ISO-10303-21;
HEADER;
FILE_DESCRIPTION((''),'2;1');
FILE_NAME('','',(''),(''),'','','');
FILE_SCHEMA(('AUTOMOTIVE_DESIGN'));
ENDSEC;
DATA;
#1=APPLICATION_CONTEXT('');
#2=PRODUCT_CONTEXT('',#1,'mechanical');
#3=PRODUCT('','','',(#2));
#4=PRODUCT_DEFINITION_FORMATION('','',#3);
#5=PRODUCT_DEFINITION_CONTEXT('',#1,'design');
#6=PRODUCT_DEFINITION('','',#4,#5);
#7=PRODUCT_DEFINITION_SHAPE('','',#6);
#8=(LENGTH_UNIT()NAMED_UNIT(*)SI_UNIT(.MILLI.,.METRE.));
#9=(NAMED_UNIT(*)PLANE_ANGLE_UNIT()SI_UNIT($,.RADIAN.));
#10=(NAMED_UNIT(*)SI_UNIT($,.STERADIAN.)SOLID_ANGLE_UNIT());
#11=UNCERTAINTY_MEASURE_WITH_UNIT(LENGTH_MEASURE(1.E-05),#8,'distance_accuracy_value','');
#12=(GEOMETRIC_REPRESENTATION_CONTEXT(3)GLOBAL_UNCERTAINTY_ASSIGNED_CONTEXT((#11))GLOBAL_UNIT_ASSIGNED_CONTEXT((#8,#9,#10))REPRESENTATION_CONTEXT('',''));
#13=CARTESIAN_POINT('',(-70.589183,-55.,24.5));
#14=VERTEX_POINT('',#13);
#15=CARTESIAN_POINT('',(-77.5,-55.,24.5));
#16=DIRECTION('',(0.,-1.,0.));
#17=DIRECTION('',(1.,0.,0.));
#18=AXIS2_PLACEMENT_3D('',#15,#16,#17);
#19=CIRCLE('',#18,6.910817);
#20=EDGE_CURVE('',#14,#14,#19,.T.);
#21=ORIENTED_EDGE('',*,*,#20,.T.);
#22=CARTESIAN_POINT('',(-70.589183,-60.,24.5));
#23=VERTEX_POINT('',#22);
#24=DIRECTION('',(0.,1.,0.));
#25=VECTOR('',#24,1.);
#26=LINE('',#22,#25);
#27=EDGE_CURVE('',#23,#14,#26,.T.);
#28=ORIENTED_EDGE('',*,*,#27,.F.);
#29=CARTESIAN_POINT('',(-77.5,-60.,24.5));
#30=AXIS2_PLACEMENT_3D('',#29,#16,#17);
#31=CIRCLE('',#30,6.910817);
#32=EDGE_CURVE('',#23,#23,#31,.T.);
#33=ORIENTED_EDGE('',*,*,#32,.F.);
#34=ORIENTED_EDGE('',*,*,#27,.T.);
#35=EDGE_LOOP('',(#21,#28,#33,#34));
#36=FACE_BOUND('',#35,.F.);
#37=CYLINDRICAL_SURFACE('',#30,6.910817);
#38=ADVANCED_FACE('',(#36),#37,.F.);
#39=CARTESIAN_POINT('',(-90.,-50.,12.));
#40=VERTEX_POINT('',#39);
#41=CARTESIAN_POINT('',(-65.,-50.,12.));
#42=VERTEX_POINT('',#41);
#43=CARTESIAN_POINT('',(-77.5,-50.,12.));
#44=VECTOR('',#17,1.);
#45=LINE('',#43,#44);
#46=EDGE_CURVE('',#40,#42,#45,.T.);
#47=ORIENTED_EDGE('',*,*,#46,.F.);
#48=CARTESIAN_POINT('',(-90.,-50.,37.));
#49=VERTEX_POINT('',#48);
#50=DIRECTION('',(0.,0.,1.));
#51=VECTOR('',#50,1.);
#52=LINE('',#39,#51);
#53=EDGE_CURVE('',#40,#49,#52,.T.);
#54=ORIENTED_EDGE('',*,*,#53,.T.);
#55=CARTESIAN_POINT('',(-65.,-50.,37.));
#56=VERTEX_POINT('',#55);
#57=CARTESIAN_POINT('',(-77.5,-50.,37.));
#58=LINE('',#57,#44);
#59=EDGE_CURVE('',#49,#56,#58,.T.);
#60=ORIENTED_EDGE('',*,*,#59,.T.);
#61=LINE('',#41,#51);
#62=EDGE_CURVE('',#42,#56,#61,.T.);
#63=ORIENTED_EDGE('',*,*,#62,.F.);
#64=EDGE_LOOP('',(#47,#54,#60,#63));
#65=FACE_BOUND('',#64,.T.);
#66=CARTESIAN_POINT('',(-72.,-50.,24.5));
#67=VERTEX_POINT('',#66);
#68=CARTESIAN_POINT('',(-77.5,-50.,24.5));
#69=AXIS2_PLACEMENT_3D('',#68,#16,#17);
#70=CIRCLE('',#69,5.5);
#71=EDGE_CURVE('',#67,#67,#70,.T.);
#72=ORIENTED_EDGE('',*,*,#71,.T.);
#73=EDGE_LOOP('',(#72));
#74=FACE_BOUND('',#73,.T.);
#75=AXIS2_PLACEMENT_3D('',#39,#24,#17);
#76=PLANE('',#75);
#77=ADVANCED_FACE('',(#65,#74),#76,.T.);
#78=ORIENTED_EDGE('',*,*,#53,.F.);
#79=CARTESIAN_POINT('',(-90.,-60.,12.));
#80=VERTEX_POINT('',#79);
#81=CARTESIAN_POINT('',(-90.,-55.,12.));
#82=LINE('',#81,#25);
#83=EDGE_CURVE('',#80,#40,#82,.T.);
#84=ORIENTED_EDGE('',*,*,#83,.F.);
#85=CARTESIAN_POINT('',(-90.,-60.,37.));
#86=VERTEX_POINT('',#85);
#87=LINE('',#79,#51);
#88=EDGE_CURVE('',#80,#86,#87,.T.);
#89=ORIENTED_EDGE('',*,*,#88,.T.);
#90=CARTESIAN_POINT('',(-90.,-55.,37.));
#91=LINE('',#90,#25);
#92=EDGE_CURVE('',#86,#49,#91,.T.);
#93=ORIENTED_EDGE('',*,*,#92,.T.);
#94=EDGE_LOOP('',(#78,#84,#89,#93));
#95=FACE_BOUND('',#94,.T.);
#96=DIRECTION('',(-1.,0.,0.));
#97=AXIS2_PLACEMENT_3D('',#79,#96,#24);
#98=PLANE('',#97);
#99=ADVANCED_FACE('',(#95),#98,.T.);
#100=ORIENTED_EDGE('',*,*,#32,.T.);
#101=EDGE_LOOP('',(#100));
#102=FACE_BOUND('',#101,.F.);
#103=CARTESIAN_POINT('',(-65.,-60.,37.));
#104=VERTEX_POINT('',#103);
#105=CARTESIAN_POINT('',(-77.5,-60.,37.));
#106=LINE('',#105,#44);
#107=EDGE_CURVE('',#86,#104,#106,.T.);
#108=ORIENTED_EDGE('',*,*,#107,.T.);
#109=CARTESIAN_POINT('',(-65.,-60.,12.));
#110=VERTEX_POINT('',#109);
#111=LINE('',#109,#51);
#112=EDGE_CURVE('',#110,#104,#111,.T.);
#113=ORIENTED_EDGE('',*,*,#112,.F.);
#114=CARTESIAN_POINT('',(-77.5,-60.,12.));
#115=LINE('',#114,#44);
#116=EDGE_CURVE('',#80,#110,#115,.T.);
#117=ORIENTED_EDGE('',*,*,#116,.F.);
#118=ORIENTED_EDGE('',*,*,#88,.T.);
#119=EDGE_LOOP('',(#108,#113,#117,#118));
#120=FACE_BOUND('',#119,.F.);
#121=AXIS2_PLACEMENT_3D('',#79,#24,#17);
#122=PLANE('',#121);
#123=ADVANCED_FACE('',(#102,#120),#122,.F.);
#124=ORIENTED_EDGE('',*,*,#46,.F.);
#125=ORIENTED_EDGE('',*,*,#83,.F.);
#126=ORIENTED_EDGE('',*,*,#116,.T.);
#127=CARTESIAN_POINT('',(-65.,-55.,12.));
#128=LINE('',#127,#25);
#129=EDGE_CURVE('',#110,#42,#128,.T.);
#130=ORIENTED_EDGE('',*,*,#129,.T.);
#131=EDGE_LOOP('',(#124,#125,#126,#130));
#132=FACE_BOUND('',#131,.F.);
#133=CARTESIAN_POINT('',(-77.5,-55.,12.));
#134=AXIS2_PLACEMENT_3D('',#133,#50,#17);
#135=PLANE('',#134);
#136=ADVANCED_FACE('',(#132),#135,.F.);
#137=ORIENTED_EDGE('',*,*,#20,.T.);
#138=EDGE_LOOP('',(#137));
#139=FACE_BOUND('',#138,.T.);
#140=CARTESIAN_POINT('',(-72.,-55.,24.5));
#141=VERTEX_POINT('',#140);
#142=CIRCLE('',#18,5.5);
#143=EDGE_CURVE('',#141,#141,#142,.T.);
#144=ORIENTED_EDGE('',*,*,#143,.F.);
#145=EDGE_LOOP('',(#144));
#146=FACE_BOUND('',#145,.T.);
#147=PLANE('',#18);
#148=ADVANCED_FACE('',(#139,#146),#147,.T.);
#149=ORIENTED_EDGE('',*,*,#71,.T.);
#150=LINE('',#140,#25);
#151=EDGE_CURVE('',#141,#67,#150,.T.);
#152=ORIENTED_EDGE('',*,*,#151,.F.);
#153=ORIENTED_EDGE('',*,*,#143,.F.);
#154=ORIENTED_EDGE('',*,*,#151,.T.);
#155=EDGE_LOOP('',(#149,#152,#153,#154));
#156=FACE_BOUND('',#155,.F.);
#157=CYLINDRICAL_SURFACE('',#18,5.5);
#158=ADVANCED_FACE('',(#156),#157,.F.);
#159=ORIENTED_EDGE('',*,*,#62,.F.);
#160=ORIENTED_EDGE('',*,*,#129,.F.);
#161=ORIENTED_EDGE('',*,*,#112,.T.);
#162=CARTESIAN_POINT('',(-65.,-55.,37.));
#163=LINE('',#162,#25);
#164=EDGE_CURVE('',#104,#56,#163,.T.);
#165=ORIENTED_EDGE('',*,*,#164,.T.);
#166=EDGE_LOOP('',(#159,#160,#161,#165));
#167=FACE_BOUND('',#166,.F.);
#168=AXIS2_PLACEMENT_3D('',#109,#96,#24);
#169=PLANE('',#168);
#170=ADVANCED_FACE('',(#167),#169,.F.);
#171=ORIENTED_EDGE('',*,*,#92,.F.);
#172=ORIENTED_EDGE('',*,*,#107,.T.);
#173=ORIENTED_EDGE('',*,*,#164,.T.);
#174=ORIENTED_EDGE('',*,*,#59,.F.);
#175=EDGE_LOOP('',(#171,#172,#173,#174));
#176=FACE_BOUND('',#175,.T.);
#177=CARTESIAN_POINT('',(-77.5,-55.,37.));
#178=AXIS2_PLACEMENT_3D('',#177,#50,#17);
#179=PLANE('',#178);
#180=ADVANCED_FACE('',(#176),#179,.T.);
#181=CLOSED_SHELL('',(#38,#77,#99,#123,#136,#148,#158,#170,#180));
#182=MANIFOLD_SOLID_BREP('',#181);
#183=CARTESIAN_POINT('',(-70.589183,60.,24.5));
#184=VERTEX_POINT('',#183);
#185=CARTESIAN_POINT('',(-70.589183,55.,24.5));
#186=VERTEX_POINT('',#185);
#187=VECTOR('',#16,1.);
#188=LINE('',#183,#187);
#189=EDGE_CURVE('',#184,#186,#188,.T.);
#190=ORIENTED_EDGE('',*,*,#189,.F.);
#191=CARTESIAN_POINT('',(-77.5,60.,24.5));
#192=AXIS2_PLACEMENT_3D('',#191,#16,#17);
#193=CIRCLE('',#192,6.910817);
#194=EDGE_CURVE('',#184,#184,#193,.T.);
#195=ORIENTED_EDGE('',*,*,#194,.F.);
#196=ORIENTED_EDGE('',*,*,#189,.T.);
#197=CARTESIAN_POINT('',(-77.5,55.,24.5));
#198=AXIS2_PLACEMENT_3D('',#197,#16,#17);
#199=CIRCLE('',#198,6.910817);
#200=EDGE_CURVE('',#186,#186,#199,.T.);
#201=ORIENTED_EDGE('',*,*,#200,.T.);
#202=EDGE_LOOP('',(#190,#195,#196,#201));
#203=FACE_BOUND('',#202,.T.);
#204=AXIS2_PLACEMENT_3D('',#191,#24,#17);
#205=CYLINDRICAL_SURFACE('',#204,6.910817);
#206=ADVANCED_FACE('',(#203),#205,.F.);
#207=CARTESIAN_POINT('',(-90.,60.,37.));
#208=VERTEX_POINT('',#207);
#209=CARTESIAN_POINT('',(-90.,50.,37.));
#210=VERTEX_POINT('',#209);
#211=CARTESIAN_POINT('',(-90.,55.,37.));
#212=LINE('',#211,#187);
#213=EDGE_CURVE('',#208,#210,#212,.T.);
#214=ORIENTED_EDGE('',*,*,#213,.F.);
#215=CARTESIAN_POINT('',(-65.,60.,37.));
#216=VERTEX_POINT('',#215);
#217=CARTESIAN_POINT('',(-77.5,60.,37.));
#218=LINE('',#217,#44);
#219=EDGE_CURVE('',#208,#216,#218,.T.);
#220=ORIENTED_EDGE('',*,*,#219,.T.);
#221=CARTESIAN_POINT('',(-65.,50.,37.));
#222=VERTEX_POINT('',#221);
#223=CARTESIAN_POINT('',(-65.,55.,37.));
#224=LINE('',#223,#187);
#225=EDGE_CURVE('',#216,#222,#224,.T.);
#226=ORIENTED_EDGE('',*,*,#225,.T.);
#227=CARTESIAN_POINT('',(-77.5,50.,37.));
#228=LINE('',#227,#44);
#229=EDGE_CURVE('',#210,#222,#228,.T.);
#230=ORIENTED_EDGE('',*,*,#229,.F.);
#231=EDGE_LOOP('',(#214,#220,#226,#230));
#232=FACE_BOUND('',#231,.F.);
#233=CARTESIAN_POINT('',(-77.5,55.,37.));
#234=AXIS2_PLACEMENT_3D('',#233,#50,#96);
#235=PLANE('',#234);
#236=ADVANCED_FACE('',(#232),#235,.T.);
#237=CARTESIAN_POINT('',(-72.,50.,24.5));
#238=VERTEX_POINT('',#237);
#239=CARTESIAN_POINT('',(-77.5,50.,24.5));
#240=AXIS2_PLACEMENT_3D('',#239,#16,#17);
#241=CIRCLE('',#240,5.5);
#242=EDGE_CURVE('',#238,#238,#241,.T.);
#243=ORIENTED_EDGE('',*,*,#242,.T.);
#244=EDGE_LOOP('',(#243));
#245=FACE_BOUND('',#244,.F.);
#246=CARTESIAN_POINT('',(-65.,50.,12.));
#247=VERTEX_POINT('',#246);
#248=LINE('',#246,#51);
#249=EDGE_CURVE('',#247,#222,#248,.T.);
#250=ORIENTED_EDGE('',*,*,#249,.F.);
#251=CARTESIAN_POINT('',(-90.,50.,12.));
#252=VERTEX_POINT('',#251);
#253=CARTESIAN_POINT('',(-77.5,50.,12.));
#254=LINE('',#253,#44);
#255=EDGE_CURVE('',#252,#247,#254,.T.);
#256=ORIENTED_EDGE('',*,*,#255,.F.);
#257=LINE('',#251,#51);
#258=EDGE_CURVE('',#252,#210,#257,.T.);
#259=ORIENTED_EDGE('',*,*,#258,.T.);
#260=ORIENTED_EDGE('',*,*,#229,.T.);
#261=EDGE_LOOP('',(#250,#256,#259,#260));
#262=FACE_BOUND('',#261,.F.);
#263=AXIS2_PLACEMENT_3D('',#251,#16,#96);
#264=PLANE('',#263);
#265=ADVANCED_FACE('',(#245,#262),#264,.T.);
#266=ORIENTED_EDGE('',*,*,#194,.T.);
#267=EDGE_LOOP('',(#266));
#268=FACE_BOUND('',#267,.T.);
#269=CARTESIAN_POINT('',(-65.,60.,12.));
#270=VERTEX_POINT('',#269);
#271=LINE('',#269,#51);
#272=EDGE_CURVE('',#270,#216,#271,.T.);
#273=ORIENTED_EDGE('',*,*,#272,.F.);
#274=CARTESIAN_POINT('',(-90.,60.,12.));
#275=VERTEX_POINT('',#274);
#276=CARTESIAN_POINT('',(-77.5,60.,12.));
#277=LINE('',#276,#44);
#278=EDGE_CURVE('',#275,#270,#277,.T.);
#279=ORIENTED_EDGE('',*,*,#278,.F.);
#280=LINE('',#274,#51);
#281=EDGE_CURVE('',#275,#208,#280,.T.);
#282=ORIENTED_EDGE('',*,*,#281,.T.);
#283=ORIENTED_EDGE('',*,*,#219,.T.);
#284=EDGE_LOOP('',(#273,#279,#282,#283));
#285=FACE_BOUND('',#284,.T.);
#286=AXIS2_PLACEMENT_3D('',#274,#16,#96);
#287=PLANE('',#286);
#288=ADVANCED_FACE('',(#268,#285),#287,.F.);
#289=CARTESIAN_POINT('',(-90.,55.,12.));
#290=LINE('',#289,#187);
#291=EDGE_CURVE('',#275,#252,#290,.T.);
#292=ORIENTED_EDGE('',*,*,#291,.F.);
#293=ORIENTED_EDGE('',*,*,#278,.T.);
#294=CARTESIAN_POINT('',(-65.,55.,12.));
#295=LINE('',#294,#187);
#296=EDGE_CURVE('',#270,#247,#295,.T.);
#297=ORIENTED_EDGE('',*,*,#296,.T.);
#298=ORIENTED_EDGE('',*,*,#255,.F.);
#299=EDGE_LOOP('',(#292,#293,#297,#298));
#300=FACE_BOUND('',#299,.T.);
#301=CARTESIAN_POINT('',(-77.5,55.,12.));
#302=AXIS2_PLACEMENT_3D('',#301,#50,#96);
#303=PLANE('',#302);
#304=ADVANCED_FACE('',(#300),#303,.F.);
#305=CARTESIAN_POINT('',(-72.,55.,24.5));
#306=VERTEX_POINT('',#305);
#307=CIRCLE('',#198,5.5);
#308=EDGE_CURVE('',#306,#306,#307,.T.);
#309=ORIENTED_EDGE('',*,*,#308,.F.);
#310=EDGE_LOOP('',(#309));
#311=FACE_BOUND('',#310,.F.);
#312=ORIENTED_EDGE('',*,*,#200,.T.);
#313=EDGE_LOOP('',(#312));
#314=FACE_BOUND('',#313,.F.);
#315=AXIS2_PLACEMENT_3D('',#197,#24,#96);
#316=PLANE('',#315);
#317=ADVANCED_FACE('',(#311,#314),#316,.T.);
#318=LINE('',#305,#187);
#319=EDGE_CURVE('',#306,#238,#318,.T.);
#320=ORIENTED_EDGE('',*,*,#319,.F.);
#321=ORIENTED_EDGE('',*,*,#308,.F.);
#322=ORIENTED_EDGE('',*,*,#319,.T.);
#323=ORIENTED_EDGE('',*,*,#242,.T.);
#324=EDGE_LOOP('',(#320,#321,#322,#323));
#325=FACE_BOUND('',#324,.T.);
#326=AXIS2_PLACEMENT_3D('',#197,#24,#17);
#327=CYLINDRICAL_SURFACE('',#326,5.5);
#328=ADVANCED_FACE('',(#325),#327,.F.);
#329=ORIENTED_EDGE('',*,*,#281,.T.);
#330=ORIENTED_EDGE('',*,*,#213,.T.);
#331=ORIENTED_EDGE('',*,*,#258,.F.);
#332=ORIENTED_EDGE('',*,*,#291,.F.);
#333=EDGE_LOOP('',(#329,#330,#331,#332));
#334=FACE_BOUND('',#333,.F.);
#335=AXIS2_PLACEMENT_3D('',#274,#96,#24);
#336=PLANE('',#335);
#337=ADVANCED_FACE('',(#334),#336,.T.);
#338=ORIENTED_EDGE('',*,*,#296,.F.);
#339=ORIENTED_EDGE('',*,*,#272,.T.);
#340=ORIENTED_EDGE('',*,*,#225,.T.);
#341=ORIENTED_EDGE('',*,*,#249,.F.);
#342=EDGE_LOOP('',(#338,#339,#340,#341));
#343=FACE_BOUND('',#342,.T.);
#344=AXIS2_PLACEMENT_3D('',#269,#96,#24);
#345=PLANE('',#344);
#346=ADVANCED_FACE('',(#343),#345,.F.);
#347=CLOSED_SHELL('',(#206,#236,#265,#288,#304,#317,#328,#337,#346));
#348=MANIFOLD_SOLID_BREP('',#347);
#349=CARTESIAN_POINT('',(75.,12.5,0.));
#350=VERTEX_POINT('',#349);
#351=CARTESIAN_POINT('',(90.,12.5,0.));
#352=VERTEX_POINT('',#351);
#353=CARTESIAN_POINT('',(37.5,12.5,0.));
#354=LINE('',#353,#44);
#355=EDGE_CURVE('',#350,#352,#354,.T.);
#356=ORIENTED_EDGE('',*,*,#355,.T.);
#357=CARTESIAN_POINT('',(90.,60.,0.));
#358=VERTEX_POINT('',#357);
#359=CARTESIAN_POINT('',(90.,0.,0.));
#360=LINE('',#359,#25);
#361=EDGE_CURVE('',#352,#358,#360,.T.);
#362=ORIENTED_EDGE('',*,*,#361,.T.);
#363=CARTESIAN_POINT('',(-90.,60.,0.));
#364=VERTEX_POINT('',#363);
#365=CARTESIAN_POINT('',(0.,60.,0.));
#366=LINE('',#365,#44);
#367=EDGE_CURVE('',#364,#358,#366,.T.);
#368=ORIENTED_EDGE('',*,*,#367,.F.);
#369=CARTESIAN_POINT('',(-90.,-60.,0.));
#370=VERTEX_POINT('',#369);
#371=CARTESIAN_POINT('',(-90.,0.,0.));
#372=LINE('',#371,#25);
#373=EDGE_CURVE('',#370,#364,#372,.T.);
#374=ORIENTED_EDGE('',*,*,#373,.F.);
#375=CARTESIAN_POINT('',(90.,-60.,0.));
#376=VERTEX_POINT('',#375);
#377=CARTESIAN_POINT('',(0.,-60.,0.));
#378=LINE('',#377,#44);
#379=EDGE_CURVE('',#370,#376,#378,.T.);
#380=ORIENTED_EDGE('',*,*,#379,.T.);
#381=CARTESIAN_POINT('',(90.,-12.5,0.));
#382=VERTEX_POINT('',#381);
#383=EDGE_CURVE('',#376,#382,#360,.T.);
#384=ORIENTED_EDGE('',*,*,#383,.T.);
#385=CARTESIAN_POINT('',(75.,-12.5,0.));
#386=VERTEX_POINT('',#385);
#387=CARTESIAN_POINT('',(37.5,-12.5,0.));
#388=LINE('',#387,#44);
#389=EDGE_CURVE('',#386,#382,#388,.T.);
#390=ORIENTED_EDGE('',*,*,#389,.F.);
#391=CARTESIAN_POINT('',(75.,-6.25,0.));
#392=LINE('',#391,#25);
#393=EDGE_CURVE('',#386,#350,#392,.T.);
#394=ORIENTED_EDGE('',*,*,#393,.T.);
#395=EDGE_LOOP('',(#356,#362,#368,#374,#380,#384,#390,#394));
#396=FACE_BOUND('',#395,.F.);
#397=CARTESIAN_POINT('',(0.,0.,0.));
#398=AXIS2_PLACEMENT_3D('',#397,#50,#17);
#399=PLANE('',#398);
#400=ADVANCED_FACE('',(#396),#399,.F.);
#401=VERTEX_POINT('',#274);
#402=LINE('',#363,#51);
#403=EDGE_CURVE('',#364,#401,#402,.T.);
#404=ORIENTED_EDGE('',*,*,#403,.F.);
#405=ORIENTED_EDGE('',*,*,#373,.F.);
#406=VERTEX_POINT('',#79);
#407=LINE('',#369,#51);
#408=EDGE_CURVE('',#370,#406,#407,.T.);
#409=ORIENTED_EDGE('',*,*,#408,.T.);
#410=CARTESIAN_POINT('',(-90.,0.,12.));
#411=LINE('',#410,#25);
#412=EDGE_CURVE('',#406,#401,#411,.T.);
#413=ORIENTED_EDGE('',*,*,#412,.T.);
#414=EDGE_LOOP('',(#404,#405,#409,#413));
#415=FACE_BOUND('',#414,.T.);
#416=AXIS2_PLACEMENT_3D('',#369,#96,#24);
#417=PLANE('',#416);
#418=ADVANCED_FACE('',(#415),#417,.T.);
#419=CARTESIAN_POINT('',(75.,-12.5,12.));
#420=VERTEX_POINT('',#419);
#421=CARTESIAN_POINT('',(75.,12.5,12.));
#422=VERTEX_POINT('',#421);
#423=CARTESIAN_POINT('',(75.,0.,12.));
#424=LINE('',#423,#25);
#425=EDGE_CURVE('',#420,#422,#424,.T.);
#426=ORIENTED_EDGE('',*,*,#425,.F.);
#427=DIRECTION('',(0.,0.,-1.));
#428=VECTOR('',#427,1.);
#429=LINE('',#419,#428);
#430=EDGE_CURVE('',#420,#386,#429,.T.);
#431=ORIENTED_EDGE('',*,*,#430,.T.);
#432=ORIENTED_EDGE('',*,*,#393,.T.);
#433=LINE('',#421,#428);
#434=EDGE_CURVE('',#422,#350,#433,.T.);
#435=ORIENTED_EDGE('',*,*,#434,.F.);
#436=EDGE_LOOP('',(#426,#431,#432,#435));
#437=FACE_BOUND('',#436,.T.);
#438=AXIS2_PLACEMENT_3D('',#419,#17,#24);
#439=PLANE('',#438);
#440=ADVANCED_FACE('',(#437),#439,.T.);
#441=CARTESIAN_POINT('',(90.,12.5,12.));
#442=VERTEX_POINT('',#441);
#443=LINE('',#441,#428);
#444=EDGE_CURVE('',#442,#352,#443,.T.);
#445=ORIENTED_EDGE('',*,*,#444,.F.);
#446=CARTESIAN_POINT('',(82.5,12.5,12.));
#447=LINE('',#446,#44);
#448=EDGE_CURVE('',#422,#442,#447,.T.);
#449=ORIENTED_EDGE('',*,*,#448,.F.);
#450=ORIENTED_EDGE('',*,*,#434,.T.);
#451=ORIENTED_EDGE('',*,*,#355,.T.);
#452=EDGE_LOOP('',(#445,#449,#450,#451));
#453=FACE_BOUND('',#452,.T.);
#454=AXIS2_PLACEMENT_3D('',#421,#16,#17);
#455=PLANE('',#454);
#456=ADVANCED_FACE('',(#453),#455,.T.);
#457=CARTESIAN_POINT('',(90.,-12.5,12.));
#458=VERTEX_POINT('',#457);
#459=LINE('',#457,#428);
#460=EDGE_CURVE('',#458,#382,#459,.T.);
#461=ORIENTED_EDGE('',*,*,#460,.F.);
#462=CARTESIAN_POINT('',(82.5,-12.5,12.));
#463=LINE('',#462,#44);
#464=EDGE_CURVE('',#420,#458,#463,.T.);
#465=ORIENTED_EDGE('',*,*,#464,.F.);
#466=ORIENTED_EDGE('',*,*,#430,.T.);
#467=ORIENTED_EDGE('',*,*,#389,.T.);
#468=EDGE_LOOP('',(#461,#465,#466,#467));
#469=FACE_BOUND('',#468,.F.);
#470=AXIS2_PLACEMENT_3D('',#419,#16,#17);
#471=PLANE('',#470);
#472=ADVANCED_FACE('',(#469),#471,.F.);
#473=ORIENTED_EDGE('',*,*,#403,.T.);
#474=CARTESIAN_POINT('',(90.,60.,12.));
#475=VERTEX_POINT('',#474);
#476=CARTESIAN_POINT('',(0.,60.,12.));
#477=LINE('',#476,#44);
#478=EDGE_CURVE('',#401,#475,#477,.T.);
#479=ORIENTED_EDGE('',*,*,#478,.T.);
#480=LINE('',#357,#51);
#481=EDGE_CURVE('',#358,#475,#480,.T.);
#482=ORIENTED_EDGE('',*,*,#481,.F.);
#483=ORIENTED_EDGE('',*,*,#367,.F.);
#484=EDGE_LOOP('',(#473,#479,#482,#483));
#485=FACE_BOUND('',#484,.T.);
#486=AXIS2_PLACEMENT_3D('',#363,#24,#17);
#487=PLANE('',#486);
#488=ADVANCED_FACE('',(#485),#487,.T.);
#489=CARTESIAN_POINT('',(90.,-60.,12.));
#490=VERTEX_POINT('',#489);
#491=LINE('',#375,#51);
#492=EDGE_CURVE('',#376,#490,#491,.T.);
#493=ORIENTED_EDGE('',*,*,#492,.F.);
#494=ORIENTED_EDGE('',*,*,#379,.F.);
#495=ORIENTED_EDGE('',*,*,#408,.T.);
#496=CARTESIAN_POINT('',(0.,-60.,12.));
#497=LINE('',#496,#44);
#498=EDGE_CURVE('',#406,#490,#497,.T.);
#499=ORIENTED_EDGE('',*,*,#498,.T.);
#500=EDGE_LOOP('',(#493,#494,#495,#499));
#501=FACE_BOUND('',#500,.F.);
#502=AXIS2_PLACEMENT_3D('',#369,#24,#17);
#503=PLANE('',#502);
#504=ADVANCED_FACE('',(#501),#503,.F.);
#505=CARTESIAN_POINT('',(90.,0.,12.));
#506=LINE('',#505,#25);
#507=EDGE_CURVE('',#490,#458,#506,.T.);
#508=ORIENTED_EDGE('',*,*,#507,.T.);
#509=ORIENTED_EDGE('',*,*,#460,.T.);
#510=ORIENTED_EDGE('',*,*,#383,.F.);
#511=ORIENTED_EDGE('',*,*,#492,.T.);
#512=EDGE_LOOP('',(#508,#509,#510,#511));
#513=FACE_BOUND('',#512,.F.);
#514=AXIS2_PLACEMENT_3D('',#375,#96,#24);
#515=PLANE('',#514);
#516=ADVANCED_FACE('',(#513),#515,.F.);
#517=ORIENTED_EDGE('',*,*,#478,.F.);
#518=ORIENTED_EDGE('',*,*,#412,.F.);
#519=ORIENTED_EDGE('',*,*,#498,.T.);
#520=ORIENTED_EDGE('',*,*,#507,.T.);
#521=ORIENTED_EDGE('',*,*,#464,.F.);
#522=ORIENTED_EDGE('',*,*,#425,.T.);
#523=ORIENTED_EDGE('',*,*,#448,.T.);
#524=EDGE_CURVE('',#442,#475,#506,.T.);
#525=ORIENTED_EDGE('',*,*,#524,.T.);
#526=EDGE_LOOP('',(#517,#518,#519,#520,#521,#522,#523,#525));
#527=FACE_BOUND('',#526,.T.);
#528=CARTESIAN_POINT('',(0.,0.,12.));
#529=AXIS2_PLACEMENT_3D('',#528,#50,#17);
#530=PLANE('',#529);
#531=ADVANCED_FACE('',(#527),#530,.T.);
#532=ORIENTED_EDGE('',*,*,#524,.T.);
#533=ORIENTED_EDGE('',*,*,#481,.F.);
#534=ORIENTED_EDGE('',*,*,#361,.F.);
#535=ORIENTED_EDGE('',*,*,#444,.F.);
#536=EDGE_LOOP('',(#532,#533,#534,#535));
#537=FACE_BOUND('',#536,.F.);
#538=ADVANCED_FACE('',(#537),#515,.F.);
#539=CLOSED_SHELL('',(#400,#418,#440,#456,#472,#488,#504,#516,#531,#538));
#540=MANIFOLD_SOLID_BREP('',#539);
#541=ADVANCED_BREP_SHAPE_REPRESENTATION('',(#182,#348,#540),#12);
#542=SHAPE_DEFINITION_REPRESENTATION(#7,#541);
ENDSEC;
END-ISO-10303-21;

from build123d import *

# Parameters (mm, degrees)
F0_W      = 180
F0_H      = 120
F1_DEPTH  = 12
F2_W      = 25
F2_H      = 10
F3_DEPTH  = 25
F4_R      = 6.910817
F5_DEPTH  = 5
F6_R      = 5.5
F7_DEPTH  = 200
F9_W      = 15
F9_H      = 25
F10_DEPTH = 25


with BuildPart() as f1:
    # F0 (on Top) → F1 (new body)
    with BuildSketch(Plane.XY):
        Rectangle(F0_W, F0_H)
    extrude(amount=F1_DEPTH)

    # F9 (on face) → F10 (cut)
    with BuildSketch(Plane.XY.offset(12)):
        with Locations((82.5, 0)):
            Rectangle(F9_W, F9_H)
    extrude(amount=-F10_DEPTH, mode=Mode.SUBTRACT)


with BuildPart() as f3:
    # F2 (on face) → F3 (new body)
    with BuildSketch(Plane.XY.offset(12)):
        with Locations((-77.5, -55)):
            Rectangle(F2_W, F2_H)
    extrude(amount=F3_DEPTH)

    # F4 (on face) → F5 (cut)
    with BuildSketch(Plane.XZ.offset(60)):
        with Locations((-77.5, 24.5)):
            Circle(F4_R)
    extrude(amount=-F5_DEPTH, mode=Mode.SUBTRACT)

    # F6 (on face) → F7 (cut)
    with BuildSketch(Plane.XZ.offset(55)):
        with Locations((-77.5, 24.5)):
            Circle(F6_R)
    extrude(amount=-F7_DEPTH, mode=Mode.SUBTRACT)


with BuildPart() as f8_1:
    # F8: instance of F3
    add(f3.part.mirror(Plane.XZ))


solid = Compound([f1.part, f3.part, f8_1.part])
